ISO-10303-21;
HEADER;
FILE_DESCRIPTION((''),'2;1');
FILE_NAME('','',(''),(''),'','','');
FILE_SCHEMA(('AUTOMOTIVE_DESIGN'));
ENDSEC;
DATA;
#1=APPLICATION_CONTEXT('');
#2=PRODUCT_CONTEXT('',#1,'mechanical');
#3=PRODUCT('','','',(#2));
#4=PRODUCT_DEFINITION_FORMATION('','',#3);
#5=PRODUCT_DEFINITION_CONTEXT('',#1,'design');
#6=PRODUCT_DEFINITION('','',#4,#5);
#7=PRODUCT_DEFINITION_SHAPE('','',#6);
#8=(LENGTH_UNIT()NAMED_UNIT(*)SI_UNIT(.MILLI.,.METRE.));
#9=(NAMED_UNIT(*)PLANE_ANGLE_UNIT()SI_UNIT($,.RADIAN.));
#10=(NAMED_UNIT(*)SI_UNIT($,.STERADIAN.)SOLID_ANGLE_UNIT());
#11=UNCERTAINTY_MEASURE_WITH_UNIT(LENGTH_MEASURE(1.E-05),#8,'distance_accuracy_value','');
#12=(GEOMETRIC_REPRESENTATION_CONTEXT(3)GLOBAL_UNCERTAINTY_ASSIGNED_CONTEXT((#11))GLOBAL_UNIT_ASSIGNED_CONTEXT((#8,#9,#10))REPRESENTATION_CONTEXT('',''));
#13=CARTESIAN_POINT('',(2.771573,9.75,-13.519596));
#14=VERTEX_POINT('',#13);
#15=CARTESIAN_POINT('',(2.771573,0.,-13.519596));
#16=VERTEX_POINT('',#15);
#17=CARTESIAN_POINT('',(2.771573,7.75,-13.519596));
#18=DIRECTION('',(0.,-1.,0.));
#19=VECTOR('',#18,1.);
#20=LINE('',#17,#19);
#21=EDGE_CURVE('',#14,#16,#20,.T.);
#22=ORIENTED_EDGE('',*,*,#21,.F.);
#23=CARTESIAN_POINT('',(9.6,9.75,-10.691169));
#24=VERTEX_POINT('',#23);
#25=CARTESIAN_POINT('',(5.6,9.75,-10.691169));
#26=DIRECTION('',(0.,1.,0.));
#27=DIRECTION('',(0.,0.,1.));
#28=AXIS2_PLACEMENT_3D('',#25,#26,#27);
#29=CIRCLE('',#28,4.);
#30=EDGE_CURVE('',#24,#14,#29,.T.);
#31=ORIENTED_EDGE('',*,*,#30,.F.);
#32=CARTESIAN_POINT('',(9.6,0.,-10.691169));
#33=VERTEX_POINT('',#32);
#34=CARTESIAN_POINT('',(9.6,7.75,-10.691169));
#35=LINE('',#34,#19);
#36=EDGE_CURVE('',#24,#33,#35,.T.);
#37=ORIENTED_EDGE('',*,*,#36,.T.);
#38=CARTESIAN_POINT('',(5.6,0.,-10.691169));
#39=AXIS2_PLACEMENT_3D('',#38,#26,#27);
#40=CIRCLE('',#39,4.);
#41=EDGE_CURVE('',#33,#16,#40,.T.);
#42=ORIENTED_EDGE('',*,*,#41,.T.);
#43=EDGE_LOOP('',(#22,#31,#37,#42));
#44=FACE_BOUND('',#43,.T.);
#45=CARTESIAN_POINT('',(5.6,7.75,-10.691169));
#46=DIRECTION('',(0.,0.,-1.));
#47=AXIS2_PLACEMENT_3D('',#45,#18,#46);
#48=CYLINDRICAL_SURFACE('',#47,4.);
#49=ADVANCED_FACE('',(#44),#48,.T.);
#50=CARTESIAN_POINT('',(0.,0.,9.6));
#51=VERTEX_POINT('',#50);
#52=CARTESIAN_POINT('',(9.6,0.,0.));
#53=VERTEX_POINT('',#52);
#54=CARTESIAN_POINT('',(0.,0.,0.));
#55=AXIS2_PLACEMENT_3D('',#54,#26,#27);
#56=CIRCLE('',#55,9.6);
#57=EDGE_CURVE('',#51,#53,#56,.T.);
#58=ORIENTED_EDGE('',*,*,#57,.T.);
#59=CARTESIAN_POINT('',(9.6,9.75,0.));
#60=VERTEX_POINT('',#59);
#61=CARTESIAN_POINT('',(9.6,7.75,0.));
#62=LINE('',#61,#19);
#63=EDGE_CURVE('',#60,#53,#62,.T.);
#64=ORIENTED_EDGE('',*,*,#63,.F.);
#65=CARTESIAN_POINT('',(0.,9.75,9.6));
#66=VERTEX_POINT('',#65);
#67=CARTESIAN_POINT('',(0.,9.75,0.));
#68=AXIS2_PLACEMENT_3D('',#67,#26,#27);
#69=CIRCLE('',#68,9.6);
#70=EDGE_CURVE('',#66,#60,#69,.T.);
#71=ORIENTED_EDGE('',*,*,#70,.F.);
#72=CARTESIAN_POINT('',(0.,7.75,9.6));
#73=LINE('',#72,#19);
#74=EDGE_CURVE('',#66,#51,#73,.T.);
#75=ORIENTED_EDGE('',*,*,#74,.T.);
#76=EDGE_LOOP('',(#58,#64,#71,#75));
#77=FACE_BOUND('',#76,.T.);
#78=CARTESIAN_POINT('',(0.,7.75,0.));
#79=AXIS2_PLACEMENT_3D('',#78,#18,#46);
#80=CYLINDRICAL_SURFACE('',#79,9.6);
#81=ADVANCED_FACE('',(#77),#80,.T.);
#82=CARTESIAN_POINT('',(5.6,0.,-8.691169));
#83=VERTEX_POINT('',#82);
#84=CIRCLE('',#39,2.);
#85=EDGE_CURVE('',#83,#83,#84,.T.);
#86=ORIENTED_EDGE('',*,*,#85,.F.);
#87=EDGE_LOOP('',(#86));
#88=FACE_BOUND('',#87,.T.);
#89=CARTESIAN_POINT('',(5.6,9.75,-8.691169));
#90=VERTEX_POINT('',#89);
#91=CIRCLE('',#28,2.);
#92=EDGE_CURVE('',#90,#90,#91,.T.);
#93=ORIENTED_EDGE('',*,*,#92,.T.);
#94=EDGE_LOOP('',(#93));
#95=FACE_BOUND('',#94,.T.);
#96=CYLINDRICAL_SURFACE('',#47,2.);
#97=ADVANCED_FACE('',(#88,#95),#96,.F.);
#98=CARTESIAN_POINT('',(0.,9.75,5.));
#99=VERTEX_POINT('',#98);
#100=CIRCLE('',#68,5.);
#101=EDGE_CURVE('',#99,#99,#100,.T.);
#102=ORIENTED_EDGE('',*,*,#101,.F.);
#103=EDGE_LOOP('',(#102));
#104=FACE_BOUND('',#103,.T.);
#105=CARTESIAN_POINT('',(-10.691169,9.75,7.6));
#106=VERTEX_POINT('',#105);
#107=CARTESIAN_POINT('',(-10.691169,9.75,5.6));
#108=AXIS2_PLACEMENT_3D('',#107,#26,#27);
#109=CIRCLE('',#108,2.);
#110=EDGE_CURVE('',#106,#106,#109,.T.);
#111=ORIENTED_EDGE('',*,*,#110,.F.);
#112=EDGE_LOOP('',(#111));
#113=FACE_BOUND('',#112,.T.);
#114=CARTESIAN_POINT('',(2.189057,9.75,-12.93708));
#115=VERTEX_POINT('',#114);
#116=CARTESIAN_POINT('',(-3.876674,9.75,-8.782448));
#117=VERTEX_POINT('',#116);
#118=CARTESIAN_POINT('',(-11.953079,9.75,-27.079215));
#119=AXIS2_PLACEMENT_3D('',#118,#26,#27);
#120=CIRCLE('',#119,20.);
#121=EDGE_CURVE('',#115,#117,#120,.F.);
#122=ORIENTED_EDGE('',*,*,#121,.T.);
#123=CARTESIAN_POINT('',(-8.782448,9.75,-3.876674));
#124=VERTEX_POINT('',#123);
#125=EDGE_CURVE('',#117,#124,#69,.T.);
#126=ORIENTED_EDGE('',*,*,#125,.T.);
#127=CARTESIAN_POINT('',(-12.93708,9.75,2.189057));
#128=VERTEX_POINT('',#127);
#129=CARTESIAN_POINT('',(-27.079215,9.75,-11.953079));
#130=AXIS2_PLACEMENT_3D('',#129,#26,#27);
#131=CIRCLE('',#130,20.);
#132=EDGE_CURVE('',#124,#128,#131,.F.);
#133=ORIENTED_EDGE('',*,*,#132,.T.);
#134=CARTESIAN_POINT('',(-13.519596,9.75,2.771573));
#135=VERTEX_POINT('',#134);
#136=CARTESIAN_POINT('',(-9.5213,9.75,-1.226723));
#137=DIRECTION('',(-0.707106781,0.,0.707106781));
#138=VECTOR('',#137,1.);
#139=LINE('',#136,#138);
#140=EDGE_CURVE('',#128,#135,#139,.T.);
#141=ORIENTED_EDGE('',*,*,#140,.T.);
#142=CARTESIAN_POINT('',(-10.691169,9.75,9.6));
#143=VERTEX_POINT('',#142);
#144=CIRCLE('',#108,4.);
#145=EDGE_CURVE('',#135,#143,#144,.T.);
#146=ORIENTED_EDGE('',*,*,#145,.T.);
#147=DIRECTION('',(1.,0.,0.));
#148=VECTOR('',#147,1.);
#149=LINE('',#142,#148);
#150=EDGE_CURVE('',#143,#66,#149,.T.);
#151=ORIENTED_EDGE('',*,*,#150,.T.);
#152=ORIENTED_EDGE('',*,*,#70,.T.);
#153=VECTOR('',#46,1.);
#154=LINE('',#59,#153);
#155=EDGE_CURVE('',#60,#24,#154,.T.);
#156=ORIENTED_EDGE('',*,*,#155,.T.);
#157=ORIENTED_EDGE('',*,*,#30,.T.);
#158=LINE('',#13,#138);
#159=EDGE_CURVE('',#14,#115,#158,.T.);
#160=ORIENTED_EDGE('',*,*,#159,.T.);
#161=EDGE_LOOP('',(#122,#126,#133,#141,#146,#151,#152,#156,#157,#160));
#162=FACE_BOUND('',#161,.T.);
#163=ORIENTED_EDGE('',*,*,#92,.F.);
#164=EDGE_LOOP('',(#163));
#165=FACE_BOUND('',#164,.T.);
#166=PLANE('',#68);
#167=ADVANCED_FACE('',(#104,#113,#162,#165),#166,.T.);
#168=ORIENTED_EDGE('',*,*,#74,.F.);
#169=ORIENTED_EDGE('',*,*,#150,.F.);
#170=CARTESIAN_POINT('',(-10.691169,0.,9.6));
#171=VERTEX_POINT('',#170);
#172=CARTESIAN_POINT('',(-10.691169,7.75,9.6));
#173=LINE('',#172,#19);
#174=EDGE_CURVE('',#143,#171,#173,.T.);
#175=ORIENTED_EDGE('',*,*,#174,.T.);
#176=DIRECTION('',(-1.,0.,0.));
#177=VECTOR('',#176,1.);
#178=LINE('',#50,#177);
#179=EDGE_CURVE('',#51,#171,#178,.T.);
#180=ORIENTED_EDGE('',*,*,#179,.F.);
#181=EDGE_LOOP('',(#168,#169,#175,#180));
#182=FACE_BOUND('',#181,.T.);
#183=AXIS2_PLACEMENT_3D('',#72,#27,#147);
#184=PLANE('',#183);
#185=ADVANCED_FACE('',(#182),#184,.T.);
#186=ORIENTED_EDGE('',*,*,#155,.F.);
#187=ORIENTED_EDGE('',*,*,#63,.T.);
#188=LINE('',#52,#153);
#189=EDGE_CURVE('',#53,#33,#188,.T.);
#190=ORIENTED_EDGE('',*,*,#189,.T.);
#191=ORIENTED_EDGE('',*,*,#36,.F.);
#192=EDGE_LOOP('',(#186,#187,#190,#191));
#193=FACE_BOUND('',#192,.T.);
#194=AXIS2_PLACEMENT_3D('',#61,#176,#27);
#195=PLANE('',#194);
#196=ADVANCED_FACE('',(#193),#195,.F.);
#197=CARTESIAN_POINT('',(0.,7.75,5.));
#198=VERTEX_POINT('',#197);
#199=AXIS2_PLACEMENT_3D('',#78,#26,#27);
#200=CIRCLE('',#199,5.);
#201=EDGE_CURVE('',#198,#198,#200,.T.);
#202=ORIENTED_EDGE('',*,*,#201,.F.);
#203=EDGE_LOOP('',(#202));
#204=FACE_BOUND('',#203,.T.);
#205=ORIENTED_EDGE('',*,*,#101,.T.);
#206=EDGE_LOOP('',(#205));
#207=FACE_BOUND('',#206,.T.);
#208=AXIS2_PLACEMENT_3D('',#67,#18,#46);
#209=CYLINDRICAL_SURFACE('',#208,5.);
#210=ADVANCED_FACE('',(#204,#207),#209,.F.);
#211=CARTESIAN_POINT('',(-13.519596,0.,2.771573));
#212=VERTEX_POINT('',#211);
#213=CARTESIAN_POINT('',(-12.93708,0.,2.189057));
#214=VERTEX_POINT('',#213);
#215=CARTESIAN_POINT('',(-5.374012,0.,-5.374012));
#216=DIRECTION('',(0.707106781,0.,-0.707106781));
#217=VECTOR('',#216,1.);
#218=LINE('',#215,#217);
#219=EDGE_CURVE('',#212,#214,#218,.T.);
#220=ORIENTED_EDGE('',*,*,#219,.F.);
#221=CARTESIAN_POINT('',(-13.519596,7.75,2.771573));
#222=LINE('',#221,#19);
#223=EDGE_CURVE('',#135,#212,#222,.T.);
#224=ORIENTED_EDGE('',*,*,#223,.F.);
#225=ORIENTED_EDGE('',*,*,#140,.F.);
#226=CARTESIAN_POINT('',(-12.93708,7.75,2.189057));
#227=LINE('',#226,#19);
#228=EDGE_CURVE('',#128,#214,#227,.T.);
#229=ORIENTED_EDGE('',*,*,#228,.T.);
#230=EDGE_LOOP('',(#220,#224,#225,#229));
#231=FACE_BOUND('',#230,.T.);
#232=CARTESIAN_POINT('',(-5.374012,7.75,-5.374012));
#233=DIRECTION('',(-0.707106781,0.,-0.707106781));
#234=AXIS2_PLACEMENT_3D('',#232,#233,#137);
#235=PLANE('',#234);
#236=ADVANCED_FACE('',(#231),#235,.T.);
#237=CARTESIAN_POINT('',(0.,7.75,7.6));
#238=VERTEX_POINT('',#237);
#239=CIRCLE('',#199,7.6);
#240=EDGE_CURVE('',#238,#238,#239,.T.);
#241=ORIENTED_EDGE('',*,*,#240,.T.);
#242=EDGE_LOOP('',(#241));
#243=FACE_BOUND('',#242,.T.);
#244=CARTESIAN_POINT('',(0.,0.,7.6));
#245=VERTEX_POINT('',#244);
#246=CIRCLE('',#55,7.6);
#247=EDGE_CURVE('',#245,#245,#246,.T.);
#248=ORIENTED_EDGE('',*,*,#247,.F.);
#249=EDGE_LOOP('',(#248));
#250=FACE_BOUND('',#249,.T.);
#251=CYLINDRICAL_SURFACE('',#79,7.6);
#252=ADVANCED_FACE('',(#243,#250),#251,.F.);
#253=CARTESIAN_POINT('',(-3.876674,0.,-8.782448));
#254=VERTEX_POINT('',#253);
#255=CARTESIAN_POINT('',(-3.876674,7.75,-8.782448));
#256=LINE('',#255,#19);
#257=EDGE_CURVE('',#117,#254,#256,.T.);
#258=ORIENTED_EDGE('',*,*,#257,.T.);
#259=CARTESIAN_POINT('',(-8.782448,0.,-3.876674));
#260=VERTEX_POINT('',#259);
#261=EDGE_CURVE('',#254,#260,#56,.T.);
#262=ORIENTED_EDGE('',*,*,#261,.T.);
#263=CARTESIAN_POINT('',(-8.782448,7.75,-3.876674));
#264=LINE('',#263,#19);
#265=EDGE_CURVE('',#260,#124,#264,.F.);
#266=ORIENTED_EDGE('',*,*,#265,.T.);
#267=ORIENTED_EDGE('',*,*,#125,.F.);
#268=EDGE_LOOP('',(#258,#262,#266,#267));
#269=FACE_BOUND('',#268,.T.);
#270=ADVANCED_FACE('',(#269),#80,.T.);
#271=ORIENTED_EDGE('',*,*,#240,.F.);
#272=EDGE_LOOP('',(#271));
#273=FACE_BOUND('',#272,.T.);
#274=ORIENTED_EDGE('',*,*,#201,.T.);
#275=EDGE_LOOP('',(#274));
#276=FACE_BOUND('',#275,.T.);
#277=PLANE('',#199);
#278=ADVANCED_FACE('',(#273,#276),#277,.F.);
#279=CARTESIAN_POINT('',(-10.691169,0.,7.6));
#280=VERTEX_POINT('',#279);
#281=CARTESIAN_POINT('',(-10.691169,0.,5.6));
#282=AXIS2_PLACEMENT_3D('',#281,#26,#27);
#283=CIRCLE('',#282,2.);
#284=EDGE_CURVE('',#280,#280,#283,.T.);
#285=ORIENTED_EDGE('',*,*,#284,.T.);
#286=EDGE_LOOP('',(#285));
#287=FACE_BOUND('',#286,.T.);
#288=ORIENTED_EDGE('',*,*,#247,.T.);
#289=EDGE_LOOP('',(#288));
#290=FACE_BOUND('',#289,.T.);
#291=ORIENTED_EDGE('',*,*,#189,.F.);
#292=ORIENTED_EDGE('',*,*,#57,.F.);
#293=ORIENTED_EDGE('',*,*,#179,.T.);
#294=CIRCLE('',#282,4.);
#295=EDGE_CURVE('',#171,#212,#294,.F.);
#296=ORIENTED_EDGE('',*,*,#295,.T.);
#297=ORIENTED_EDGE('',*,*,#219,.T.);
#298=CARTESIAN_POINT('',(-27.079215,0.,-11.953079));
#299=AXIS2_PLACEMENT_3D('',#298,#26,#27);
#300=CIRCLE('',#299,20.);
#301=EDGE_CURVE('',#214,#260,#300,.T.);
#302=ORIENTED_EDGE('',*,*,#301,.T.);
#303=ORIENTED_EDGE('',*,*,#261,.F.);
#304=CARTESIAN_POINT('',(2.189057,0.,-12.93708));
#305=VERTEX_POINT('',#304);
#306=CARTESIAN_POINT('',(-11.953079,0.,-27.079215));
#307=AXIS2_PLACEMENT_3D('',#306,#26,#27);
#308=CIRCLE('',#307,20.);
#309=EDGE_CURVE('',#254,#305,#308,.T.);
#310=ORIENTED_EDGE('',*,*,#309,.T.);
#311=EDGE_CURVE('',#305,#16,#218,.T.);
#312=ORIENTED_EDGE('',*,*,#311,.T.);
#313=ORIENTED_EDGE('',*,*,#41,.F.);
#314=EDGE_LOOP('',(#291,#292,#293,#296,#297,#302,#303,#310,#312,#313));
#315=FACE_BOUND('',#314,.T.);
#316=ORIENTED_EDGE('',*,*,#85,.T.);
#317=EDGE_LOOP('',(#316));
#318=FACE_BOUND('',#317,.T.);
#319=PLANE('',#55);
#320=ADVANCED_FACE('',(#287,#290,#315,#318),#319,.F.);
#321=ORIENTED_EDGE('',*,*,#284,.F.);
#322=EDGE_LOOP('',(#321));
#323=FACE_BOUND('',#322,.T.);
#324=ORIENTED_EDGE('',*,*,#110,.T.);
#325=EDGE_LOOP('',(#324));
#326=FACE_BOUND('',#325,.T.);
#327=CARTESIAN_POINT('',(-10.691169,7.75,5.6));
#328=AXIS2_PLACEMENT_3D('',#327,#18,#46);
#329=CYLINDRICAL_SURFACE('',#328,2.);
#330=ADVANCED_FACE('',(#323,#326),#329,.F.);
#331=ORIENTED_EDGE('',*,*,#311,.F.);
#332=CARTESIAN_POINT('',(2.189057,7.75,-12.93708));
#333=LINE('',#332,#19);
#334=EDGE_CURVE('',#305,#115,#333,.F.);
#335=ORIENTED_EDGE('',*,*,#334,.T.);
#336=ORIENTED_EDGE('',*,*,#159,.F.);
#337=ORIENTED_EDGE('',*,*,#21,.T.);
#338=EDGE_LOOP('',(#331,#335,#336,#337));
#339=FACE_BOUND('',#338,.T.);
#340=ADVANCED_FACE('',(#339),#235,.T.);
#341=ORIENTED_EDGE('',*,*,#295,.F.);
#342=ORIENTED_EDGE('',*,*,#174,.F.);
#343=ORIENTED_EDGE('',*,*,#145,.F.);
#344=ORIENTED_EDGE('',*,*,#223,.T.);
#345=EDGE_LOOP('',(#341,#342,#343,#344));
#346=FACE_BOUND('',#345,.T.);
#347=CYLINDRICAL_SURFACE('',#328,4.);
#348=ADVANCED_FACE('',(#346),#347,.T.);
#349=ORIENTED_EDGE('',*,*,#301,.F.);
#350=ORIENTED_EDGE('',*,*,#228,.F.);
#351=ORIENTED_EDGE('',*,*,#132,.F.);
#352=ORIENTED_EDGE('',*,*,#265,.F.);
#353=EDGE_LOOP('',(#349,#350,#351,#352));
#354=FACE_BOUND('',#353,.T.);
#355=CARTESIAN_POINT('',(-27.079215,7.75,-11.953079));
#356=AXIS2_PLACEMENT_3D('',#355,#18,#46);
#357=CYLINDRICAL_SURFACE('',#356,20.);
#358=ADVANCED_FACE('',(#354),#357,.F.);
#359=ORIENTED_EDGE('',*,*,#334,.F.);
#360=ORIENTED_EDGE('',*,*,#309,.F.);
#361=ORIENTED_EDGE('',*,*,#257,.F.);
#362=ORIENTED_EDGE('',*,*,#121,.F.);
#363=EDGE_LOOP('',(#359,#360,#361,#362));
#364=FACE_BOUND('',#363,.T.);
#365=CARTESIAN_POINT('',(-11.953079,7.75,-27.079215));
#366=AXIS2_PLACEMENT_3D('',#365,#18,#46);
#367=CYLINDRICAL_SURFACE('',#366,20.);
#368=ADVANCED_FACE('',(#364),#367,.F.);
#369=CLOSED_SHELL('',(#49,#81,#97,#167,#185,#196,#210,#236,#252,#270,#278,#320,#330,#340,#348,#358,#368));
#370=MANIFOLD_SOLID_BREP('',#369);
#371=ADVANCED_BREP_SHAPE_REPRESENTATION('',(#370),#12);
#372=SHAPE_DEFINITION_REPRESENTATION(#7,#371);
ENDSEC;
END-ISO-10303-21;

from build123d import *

# Parameters (mm, degrees)
SKETCH1_R           = 2
SKETCH1_R_2         = 7.6
BOSS_EXTRUDE1_DEPTH = 7.75
SKETCH2_R           = 2
SKETCH2_R_2         = 5
BOSS_EXTRUDE2_DEPTH = 2
FILLET1_R           = 20


with BuildPart() as part:
    # Sketch1 → Boss-Extrude1 (new body)
    with BuildSketch(Plane(origin=(0, 0, 0), x_dir=(1, 0, 0), z_dir=(0, 1, 0))):
        with BuildLine():
            Line((2.771572875, 13.519595949), (-1.226723266, 9.521299808))
            ThreePointArc((-1.226723266, 9.521299808), (-6.788225099, 6.788225099), (-9.521299808, 1.226723266))
            Line((-9.521299808, 1.226723266), (-13.519595949, -2.771572875))
            ThreePointArc((-13.519595949, -2.771572875), (-14.386686955, -7.130733729), (-10.691168825, -9.6))
            Line((-10.691168825, -9.6), (0, -9.6))
            ThreePointArc((0, -9.6), (6.788225099, -6.788225099), (9.6, 0))
            Line((9.6, 0), (9.6, 10.691168825))
            ThreePointArc((9.6, 10.691168825), (7.130733729, 14.386686955), (2.771572875, 13.519595949))
        make_face()
        with Locations(Location((-10.691168825, -5.6, 0), (0, 0, 270))):
            Circle(SKETCH1_R, mode=Mode.SUBTRACT)
        with Locations(Location((0, 0, 0), (0, 0, 270))):
            Circle(SKETCH1_R_2, mode=Mode.SUBTRACT)
        with Locations(Location((5.6, 10.691168825, 0), (0, 0, 270))):
            Circle(SKETCH1_R, mode=Mode.SUBTRACT)
    extrude(amount=BOSS_EXTRUDE1_DEPTH)

    # Sketch2 → Boss-Extrude2 (add)
    with BuildSketch(Plane(origin=(0, 7.75, 0), x_dir=(1, 0, 0), z_dir=(0, 1, 0))):
        with BuildLine():
            Line((9.6, 0), (9.6, 10.691168825))
            ThreePointArc((9.6, 10.691168825), (7.130733729, 14.386686955), (2.771572875, 13.519595949))
            Line((2.771572875, 13.519595949), (-1.226723266, 9.521299808))
            ThreePointArc((-1.226723266, 9.521299808), (-6.788225099, 6.788225099), (-9.521299808, 1.226723266))
            Line((-9.521299808, 1.226723266), (-13.519595949, -2.771572875))
            ThreePointArc((-13.519595949, -2.771572875), (-14.386686955, -7.130733729), (-10.691168825, -9.6))
            Line((-10.691168825, -9.6), (0, -9.6))
            ThreePointArc((0, -9.6), (6.788225099, -6.788225099), (9.6, 0))
        make_face()
        with Locations(Location((-10.691168825, -5.6, 0), (0, 0, 270))):
            Circle(SKETCH2_R, mode=Mode.SUBTRACT)
        with Locations(Location((5.6, 10.691168825, 0), (0, 0, 270))):
            Circle(SKETCH2_R, mode=Mode.SUBTRACT)
        with Locations(Location((0, 0, 0), (0, 0, 270))):
            Circle(SKETCH2_R_2, mode=Mode.SUBTRACT)
    extrude(amount=BOSS_EXTRUDE2_DEPTH)

    # Fillet1
    fillet1_edges = [part.edges().sort_by_distance(p)[0] for p in [
        (-9.521299808, 4.875, -1.226723266),
        (-1.226723266, 4.875, -9.521299808),
    ]]
    fillet(fillet1_edges, radius=FILLET1_R)


solid = part.part
